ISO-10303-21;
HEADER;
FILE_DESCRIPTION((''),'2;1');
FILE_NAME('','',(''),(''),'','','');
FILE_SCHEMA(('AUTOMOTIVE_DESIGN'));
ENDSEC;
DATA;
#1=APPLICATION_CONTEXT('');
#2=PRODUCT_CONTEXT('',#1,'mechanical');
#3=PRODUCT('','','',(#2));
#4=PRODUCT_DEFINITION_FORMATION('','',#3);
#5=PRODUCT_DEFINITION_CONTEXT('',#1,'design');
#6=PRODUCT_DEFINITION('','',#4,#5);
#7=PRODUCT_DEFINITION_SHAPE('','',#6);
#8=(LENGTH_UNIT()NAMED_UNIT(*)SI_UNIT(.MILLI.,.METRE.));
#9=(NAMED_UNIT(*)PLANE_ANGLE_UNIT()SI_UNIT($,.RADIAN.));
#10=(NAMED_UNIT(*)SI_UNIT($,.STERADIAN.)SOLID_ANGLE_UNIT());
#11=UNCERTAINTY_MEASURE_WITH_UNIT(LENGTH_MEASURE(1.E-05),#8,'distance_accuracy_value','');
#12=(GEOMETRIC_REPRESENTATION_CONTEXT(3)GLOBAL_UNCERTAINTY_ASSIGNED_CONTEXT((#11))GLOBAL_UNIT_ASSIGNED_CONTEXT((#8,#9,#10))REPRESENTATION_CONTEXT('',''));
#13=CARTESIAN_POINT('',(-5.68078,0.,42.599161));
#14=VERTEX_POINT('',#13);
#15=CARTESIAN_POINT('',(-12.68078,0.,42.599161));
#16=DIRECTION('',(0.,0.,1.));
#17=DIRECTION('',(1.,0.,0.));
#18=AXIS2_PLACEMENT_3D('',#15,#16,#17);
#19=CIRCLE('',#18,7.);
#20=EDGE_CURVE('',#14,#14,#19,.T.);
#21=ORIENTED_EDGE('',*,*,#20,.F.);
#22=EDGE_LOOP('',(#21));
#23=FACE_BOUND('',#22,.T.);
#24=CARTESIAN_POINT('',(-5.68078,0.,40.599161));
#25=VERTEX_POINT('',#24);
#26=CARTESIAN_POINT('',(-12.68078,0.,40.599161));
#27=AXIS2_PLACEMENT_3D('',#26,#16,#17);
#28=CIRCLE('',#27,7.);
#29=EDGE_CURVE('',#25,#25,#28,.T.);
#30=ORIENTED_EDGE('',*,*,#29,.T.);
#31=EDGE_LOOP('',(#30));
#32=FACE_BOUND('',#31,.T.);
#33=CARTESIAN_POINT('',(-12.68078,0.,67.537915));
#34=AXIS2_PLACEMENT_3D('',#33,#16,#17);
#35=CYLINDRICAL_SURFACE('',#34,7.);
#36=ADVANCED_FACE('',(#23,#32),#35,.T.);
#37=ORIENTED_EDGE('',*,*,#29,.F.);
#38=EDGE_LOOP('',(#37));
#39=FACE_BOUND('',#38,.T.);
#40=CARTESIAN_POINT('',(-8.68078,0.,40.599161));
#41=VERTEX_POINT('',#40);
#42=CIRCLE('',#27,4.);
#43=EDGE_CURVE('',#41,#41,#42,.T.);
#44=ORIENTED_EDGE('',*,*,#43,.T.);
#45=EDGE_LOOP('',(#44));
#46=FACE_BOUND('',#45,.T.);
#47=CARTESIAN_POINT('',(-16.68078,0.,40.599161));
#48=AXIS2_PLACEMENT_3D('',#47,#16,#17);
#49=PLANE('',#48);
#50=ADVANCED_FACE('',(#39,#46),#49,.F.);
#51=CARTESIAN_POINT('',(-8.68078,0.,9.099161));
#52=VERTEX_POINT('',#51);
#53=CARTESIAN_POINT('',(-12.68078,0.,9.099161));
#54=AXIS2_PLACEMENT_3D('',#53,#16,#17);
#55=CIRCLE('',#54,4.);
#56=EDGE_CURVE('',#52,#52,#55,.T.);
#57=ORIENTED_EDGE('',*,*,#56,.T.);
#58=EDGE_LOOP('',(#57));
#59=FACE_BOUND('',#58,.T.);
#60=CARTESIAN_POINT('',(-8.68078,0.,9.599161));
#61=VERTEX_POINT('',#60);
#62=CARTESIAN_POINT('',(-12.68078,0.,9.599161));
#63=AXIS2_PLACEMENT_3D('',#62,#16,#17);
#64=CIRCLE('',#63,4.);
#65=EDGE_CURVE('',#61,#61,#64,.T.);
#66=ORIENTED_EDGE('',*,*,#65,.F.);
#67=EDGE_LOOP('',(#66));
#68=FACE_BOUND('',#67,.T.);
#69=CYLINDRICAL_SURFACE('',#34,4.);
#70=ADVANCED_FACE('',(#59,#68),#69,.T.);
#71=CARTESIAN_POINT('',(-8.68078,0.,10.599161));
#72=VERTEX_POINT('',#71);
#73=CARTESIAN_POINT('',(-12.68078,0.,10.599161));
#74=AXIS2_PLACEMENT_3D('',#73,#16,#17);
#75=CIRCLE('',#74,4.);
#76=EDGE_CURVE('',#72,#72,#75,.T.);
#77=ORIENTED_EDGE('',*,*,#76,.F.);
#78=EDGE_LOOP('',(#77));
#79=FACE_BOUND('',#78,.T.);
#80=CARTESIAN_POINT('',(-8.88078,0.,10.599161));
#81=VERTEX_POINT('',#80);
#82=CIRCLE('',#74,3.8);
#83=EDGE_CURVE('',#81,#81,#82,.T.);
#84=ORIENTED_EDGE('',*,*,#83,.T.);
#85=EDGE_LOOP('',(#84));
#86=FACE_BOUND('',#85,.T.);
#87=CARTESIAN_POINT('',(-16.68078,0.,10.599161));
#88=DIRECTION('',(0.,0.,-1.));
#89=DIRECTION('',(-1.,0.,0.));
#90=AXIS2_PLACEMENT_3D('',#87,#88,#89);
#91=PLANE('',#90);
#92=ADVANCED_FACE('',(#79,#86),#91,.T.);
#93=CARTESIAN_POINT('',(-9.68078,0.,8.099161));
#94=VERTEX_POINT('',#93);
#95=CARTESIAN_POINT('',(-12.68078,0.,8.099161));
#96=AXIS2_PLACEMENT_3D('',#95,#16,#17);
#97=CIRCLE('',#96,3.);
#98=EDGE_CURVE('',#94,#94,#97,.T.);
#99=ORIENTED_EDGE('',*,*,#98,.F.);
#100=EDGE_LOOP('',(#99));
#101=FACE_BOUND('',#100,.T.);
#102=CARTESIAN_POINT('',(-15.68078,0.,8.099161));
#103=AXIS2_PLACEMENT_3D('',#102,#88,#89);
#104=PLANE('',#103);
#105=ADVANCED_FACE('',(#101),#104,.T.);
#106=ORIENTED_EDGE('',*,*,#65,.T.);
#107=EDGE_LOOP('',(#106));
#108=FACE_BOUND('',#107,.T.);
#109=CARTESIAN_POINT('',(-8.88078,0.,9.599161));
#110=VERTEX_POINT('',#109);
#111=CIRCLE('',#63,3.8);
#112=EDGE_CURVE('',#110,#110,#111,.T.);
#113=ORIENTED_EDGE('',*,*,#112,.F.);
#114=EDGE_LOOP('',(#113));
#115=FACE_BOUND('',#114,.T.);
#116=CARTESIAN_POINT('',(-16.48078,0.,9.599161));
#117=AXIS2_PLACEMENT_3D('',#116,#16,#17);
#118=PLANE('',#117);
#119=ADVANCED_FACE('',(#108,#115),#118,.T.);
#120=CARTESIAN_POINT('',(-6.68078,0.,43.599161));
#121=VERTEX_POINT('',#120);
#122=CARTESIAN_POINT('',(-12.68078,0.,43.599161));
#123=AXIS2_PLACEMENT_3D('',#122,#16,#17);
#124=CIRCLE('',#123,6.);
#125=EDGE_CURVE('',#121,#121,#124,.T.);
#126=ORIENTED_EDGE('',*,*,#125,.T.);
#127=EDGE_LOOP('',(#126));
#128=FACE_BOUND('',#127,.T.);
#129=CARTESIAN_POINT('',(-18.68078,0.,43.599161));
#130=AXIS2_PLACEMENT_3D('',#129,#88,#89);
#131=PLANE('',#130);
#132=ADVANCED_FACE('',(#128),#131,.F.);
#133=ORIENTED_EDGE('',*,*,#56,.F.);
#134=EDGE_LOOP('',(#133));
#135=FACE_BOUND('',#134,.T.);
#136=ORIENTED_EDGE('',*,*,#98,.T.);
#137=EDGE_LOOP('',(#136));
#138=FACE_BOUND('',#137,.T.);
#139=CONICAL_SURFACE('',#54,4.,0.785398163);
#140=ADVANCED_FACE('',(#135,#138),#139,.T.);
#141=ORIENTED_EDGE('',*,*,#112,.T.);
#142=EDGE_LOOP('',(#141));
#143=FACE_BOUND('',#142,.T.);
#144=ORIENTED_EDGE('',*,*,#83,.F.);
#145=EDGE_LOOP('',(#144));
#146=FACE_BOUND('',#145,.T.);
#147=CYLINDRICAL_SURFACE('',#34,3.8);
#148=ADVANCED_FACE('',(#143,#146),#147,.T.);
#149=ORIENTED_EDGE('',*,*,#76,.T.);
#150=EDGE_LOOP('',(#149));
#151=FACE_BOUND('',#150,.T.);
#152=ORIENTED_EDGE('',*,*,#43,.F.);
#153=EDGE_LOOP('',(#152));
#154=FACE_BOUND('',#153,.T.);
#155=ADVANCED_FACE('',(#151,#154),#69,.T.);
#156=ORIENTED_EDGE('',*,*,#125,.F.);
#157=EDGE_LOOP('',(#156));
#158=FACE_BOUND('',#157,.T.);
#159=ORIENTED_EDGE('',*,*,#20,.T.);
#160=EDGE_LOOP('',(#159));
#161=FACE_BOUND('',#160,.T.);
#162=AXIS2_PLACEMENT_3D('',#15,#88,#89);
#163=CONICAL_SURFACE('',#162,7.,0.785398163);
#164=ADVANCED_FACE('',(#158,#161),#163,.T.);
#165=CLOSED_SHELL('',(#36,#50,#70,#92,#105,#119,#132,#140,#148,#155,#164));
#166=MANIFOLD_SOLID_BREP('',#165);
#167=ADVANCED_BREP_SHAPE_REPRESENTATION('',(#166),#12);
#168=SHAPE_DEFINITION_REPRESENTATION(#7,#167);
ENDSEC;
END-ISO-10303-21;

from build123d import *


with BuildPart() as part:
    # Esquisse2 → Base-Révolution (revolve)
    with BuildSketch(Plane(origin=(0, 0, 0), x_dir=(1, 0, 0), z_dir=(0, 1, 0)), mode=Mode.PRIVATE) as base_r_volution_sk:
        Polygon((-16.680780303, -30.626231876), (-16.680780303, -10.599160722), (-16.480780303, -10.599160722), (-16.480780303, -9.599160722), (-16.680780303, -9.599160722), (-16.680780303, -9.099160722), (-15.680780303, -8.099160722), (-12.680780303, -8.099160722), (-12.680780303, -43.599160722), (-18.680780303, -43.599160722), (-19.680780303, -42.599160722), (-19.680780303, -40.599160722), (-16.680780303, -40.599160722), align=None)
    revolve(base_r_volution_sk.sketch.rotate(Axis((-12.680780303, 0, 67.53791491), (0, 0, -1)), 180), axis=Axis((-12.680780303, 0, 67.53791491), (0, 0, -1)))


solid = part.part
